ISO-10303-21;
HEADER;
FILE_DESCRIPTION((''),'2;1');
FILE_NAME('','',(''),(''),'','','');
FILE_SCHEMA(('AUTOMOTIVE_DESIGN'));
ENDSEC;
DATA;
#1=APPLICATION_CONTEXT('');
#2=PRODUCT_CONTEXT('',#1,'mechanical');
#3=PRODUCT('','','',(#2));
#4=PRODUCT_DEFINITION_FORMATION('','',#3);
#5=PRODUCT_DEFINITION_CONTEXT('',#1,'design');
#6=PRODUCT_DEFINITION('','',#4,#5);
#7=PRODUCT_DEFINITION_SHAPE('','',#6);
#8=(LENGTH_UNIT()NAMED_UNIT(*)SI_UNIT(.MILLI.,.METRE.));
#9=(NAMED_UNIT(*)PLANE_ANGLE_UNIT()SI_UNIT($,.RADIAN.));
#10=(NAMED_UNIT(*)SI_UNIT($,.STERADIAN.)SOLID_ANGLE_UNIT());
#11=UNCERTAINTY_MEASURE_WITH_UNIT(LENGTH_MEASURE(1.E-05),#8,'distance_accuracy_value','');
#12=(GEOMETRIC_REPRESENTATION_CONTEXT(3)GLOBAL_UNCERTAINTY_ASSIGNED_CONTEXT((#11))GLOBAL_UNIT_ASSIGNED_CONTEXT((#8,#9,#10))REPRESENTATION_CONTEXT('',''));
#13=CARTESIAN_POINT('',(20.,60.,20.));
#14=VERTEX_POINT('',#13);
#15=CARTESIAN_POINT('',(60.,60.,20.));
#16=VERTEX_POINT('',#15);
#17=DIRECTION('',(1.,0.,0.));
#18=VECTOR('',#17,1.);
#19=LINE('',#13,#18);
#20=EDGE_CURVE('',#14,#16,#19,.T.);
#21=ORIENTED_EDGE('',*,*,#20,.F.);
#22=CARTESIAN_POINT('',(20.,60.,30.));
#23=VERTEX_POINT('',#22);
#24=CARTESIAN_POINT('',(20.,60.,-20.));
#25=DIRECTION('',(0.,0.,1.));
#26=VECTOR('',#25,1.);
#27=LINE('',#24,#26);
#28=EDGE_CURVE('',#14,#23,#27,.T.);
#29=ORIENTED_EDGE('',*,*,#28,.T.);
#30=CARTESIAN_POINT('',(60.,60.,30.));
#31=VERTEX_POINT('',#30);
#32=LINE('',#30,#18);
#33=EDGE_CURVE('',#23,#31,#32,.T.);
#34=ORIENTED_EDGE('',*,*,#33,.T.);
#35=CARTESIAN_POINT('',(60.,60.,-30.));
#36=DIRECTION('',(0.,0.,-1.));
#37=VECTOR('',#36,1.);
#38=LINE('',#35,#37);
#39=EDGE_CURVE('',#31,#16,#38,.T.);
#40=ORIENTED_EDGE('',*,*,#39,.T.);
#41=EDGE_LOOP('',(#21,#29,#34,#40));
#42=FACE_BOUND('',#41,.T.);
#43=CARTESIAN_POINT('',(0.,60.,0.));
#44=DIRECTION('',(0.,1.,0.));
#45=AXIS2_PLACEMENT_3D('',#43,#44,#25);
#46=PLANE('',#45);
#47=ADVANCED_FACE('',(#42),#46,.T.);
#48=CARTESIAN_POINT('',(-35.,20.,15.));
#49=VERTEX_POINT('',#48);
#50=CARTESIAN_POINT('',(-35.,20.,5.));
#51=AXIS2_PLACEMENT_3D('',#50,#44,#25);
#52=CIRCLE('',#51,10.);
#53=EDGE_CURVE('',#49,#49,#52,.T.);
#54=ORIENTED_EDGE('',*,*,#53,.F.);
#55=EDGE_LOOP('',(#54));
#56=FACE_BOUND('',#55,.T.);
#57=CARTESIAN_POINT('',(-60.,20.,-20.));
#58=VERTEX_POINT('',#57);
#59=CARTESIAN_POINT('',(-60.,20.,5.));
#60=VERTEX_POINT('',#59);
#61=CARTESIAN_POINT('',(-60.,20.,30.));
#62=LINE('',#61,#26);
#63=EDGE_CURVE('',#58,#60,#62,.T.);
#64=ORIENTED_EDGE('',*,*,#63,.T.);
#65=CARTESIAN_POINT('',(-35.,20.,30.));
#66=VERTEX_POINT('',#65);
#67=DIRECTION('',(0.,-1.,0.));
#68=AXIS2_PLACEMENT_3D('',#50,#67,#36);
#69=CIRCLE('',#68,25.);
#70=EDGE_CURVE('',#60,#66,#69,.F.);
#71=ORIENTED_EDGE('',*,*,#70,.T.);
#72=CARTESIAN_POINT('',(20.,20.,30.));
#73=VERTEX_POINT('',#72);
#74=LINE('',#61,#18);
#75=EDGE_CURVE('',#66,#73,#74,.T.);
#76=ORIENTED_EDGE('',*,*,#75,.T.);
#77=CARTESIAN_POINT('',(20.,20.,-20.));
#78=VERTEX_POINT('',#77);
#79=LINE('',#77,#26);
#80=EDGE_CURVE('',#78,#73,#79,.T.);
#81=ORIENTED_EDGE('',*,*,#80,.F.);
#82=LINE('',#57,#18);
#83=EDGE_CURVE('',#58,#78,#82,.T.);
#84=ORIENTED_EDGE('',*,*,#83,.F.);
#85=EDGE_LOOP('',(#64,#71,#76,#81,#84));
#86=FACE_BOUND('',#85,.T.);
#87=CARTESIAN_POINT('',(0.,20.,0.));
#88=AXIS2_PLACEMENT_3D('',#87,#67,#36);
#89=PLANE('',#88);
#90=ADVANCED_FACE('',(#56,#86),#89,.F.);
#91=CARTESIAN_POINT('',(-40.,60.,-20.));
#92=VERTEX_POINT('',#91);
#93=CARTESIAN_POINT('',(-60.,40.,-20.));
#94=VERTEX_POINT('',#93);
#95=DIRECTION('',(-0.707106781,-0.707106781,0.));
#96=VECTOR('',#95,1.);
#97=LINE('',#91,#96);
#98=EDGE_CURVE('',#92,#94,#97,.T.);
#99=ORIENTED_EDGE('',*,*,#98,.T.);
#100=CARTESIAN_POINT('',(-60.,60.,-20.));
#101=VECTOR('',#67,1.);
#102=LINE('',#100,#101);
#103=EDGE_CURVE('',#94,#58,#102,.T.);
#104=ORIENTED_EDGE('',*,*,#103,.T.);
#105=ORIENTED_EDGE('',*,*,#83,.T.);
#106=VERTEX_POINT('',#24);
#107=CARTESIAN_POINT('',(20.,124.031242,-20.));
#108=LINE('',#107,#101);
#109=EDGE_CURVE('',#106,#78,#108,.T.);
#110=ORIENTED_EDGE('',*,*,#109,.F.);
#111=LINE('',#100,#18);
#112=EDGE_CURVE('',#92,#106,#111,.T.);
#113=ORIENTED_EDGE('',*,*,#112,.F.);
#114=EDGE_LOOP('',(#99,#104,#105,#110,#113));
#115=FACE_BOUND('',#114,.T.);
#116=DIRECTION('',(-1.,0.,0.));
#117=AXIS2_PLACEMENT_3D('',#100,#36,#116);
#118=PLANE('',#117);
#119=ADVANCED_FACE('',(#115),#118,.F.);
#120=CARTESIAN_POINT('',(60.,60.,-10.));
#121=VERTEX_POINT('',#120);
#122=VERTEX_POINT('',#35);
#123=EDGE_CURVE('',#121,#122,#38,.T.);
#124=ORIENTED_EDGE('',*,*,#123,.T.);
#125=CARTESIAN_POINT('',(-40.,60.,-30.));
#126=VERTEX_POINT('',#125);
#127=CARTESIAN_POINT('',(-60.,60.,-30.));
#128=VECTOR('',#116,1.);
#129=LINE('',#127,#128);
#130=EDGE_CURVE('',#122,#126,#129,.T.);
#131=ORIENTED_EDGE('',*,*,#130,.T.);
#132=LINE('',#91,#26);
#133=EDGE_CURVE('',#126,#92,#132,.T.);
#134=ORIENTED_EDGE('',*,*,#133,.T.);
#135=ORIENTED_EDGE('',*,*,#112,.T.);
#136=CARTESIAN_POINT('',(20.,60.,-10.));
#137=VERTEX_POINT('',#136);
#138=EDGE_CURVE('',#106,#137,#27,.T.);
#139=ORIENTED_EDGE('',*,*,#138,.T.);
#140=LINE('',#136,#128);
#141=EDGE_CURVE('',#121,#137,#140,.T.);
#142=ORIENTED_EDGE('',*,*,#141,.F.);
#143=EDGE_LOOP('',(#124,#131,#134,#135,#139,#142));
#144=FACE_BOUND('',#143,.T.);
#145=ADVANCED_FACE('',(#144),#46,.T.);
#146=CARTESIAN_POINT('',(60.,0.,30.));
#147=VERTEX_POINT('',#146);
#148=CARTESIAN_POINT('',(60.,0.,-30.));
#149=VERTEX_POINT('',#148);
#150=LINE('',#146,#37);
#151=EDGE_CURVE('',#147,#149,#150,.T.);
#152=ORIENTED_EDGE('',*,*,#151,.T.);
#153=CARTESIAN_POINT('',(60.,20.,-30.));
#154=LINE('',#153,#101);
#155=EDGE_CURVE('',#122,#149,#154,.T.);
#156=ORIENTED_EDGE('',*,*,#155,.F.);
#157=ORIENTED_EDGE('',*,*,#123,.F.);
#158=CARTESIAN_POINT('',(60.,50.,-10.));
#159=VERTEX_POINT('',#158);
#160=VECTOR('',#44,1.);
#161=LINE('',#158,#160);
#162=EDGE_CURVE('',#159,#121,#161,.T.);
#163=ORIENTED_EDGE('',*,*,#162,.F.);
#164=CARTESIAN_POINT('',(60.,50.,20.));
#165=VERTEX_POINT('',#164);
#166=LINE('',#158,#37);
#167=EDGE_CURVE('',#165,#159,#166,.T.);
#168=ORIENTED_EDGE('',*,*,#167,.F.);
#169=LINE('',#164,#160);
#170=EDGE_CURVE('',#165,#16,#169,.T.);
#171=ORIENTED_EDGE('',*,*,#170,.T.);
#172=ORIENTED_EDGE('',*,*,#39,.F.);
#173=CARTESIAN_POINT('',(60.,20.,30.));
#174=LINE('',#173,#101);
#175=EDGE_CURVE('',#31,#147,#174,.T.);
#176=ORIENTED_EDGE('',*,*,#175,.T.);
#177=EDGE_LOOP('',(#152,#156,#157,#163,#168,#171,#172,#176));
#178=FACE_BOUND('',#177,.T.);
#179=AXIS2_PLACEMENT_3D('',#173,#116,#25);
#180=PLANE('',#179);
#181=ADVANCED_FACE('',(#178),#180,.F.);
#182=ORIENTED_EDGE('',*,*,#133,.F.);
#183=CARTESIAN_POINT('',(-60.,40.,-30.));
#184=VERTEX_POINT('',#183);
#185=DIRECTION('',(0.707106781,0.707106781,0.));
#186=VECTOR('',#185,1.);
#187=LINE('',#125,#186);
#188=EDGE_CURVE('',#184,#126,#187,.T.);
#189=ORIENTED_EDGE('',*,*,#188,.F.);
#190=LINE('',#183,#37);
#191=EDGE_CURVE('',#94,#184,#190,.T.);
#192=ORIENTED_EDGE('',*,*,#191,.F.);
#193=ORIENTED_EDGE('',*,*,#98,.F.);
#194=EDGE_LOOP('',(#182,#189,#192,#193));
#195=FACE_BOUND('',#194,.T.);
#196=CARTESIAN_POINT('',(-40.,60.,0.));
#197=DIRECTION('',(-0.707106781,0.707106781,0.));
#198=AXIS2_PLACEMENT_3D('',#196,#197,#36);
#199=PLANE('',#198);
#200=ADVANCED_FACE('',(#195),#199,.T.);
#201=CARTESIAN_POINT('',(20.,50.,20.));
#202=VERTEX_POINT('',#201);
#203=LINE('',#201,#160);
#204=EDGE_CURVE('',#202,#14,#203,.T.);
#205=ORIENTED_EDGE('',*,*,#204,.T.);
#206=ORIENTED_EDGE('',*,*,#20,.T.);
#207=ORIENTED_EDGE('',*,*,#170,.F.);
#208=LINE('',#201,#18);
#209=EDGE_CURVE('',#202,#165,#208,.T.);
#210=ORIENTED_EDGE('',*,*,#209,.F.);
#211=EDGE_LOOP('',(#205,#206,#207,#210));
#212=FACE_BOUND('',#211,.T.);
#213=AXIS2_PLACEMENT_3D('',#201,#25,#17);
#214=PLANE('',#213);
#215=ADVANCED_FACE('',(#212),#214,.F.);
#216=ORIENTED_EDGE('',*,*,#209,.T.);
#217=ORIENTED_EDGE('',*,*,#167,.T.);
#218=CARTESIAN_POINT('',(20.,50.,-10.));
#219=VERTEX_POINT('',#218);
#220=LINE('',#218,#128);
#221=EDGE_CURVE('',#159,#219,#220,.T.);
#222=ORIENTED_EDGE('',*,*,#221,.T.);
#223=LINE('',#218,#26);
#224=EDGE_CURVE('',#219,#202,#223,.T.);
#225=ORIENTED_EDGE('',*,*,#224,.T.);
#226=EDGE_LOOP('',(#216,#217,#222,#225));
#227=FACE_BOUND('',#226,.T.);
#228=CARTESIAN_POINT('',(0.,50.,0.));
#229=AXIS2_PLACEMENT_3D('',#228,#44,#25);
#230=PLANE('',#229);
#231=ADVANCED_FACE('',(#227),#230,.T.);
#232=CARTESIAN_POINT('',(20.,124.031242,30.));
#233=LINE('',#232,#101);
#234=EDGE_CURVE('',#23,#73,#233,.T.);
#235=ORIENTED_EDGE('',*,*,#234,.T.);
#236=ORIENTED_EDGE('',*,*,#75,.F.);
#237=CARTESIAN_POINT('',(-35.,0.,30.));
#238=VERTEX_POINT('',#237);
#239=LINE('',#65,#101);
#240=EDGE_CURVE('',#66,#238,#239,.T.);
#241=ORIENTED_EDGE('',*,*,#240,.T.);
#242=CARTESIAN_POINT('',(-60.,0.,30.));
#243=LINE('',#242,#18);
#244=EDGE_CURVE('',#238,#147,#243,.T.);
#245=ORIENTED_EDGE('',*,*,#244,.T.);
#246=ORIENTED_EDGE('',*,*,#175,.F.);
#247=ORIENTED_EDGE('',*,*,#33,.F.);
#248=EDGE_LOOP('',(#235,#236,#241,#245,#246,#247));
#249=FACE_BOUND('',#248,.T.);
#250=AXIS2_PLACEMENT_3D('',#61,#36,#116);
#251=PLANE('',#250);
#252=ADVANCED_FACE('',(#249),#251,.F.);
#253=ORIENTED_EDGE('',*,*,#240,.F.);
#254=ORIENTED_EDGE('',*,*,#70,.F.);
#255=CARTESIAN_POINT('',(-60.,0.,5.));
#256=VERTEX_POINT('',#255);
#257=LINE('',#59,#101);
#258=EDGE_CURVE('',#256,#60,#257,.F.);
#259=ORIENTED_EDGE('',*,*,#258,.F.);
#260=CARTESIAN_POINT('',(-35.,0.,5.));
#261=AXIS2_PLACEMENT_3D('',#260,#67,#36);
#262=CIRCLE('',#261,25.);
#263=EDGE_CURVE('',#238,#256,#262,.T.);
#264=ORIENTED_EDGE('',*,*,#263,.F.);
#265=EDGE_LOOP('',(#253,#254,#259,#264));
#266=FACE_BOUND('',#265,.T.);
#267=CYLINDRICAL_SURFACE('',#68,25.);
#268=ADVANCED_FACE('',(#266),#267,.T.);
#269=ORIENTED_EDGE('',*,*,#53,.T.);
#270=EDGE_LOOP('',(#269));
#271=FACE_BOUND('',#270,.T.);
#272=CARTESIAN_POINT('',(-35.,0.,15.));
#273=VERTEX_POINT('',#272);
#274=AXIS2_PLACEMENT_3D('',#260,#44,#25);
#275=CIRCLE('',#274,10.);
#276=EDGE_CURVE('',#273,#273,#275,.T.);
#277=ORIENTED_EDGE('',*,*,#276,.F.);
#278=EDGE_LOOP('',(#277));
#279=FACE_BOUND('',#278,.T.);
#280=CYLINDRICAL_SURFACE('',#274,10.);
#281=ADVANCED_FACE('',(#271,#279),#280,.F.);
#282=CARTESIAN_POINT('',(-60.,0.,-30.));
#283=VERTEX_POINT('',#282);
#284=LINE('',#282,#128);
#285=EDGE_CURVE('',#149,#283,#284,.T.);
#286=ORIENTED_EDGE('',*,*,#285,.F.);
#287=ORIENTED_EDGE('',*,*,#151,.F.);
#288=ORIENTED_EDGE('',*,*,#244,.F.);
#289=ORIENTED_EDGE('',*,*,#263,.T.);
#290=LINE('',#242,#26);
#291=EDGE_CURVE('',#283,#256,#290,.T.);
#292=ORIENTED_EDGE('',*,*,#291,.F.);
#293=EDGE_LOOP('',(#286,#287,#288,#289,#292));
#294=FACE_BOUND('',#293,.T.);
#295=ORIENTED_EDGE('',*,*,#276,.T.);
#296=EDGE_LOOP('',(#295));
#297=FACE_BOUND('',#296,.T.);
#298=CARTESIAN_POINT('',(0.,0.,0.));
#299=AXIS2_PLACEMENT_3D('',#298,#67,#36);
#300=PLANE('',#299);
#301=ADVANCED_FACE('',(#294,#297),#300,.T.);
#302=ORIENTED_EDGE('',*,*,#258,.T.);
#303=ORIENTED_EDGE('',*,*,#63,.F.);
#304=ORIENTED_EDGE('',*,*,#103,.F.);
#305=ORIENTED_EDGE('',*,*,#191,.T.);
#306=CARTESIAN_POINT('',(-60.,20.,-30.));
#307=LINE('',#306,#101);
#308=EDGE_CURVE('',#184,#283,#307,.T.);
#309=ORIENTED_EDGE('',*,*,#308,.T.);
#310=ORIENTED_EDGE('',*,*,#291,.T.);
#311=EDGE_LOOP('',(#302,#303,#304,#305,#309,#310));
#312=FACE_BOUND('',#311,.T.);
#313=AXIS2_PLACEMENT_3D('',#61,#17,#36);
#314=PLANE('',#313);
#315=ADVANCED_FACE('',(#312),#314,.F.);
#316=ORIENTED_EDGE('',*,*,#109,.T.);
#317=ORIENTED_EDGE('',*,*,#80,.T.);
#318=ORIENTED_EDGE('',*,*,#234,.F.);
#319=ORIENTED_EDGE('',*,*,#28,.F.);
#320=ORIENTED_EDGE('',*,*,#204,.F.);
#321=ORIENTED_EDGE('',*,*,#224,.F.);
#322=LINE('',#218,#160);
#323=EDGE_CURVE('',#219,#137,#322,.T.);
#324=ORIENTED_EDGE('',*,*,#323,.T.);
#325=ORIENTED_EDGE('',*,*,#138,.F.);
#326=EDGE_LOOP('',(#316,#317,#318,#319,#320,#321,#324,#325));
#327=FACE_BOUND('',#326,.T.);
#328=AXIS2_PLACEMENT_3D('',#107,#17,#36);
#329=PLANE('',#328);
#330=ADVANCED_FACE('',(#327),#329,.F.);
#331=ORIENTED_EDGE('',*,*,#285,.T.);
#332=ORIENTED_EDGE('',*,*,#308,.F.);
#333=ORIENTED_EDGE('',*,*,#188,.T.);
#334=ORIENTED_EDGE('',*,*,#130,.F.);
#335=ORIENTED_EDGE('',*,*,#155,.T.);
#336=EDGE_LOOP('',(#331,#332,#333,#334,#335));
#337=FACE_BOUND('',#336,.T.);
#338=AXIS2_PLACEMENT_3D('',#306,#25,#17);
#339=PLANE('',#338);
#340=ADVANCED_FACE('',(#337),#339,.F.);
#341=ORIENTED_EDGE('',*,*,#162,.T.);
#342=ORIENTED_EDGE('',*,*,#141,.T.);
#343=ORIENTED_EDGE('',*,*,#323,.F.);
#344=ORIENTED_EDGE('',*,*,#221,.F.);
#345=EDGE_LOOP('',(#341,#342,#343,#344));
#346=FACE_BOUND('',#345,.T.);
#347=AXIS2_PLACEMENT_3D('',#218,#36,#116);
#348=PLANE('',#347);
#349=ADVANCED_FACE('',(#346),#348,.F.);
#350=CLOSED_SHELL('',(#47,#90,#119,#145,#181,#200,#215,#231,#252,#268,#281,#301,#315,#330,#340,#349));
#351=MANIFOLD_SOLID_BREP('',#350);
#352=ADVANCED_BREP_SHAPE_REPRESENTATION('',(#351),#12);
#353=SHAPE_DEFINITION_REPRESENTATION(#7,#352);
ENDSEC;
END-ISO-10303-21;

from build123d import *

# Parameters (mm, degrees)
SKETCH1_W           = 120
SKETCH1_H           = 60
BOSS_EXTRUDE1_DEPTH = 20
SKETCH2_W           = 120
SKETCH2_H           = 10
BOSS_EXTRUDE2_DEPTH = 40
CHAMFER1_SIZE       = 20
FILLET1_R           = 25
SKETCH4_W           = 40
SKETCH4_H           = 50
BOSS_EXTRUDE5_DEPTH = 40
SKETCH5_W           = 40
SKETCH5_H           = 30
CUT_EXTRUDE1_DEPTH  = 10
SKETCH6_R           = 10
CUT_EXTRUDE2_DEPTH  = 79.102496759


with BuildPart() as part:
    # Sketch1 → Boss-Extrude1 (new body)
    with BuildSketch(Plane(origin=(0, 0, 0), x_dir=(1, 0, 0), z_dir=(0, 1, 0))):
        Rectangle(SKETCH1_W, SKETCH1_H)
    extrude(amount=BOSS_EXTRUDE1_DEPTH)

    # Sketch2 → Boss-Extrude2 (add)
    with BuildSketch(Plane(origin=(0, 20, 0), x_dir=(1, 0, 0), z_dir=(0, 1, 0))):
        with Locations((0, 25)):
            Rectangle(SKETCH2_W, SKETCH2_H)
    extrude(amount=BOSS_EXTRUDE2_DEPTH)

    # Chamfer1
    chamfer1_edges = [part.edges().sort_by_distance(p)[0] for p in [
        (-60, 60, -25),
    ]]
    chamfer(chamfer1_edges, length=CHAMFER1_SIZE)

    # Fillet1
    fillet1_edges = [part.edges().sort_by_distance(p)[0] for p in [
        (-60, 10, 30),
    ]]
    fillet(fillet1_edges, radius=FILLET1_R)

    # Sketch4 → Boss-Extrude5 (add)
    with BuildSketch(Plane(origin=(0, 20, 0), x_dir=(1, 0, 0), z_dir=(0, 1, 0))):
        with Locations((40, -5)):
            Rectangle(SKETCH4_W, SKETCH4_H)
    extrude(amount=BOSS_EXTRUDE5_DEPTH)

    # Sketch5 → Cut-Extrude1 (cut)
    with BuildSketch(Plane(origin=(0, 60, 0), x_dir=(1, 0, 0), z_dir=(0, 1, 0))):
        with Locations((40, -5)):
            Rectangle(SKETCH5_W, SKETCH5_H)
    extrude(amount=-CUT_EXTRUDE1_DEPTH, mode=Mode.SUBTRACT)

    # Sketch6 → Cut-Extrude2 (cut, through all)
    with BuildSketch(Plane(origin=(0, 20, 0), x_dir=(1, 0, 0), z_dir=(0, 1, 0))):
        with Locations(Location((-35, -5, 0), (0, 0, 270))):
            Circle(SKETCH6_R)
    extrude(amount=-CUT_EXTRUDE2_DEPTH, mode=Mode.SUBTRACT)


solid = part.part
